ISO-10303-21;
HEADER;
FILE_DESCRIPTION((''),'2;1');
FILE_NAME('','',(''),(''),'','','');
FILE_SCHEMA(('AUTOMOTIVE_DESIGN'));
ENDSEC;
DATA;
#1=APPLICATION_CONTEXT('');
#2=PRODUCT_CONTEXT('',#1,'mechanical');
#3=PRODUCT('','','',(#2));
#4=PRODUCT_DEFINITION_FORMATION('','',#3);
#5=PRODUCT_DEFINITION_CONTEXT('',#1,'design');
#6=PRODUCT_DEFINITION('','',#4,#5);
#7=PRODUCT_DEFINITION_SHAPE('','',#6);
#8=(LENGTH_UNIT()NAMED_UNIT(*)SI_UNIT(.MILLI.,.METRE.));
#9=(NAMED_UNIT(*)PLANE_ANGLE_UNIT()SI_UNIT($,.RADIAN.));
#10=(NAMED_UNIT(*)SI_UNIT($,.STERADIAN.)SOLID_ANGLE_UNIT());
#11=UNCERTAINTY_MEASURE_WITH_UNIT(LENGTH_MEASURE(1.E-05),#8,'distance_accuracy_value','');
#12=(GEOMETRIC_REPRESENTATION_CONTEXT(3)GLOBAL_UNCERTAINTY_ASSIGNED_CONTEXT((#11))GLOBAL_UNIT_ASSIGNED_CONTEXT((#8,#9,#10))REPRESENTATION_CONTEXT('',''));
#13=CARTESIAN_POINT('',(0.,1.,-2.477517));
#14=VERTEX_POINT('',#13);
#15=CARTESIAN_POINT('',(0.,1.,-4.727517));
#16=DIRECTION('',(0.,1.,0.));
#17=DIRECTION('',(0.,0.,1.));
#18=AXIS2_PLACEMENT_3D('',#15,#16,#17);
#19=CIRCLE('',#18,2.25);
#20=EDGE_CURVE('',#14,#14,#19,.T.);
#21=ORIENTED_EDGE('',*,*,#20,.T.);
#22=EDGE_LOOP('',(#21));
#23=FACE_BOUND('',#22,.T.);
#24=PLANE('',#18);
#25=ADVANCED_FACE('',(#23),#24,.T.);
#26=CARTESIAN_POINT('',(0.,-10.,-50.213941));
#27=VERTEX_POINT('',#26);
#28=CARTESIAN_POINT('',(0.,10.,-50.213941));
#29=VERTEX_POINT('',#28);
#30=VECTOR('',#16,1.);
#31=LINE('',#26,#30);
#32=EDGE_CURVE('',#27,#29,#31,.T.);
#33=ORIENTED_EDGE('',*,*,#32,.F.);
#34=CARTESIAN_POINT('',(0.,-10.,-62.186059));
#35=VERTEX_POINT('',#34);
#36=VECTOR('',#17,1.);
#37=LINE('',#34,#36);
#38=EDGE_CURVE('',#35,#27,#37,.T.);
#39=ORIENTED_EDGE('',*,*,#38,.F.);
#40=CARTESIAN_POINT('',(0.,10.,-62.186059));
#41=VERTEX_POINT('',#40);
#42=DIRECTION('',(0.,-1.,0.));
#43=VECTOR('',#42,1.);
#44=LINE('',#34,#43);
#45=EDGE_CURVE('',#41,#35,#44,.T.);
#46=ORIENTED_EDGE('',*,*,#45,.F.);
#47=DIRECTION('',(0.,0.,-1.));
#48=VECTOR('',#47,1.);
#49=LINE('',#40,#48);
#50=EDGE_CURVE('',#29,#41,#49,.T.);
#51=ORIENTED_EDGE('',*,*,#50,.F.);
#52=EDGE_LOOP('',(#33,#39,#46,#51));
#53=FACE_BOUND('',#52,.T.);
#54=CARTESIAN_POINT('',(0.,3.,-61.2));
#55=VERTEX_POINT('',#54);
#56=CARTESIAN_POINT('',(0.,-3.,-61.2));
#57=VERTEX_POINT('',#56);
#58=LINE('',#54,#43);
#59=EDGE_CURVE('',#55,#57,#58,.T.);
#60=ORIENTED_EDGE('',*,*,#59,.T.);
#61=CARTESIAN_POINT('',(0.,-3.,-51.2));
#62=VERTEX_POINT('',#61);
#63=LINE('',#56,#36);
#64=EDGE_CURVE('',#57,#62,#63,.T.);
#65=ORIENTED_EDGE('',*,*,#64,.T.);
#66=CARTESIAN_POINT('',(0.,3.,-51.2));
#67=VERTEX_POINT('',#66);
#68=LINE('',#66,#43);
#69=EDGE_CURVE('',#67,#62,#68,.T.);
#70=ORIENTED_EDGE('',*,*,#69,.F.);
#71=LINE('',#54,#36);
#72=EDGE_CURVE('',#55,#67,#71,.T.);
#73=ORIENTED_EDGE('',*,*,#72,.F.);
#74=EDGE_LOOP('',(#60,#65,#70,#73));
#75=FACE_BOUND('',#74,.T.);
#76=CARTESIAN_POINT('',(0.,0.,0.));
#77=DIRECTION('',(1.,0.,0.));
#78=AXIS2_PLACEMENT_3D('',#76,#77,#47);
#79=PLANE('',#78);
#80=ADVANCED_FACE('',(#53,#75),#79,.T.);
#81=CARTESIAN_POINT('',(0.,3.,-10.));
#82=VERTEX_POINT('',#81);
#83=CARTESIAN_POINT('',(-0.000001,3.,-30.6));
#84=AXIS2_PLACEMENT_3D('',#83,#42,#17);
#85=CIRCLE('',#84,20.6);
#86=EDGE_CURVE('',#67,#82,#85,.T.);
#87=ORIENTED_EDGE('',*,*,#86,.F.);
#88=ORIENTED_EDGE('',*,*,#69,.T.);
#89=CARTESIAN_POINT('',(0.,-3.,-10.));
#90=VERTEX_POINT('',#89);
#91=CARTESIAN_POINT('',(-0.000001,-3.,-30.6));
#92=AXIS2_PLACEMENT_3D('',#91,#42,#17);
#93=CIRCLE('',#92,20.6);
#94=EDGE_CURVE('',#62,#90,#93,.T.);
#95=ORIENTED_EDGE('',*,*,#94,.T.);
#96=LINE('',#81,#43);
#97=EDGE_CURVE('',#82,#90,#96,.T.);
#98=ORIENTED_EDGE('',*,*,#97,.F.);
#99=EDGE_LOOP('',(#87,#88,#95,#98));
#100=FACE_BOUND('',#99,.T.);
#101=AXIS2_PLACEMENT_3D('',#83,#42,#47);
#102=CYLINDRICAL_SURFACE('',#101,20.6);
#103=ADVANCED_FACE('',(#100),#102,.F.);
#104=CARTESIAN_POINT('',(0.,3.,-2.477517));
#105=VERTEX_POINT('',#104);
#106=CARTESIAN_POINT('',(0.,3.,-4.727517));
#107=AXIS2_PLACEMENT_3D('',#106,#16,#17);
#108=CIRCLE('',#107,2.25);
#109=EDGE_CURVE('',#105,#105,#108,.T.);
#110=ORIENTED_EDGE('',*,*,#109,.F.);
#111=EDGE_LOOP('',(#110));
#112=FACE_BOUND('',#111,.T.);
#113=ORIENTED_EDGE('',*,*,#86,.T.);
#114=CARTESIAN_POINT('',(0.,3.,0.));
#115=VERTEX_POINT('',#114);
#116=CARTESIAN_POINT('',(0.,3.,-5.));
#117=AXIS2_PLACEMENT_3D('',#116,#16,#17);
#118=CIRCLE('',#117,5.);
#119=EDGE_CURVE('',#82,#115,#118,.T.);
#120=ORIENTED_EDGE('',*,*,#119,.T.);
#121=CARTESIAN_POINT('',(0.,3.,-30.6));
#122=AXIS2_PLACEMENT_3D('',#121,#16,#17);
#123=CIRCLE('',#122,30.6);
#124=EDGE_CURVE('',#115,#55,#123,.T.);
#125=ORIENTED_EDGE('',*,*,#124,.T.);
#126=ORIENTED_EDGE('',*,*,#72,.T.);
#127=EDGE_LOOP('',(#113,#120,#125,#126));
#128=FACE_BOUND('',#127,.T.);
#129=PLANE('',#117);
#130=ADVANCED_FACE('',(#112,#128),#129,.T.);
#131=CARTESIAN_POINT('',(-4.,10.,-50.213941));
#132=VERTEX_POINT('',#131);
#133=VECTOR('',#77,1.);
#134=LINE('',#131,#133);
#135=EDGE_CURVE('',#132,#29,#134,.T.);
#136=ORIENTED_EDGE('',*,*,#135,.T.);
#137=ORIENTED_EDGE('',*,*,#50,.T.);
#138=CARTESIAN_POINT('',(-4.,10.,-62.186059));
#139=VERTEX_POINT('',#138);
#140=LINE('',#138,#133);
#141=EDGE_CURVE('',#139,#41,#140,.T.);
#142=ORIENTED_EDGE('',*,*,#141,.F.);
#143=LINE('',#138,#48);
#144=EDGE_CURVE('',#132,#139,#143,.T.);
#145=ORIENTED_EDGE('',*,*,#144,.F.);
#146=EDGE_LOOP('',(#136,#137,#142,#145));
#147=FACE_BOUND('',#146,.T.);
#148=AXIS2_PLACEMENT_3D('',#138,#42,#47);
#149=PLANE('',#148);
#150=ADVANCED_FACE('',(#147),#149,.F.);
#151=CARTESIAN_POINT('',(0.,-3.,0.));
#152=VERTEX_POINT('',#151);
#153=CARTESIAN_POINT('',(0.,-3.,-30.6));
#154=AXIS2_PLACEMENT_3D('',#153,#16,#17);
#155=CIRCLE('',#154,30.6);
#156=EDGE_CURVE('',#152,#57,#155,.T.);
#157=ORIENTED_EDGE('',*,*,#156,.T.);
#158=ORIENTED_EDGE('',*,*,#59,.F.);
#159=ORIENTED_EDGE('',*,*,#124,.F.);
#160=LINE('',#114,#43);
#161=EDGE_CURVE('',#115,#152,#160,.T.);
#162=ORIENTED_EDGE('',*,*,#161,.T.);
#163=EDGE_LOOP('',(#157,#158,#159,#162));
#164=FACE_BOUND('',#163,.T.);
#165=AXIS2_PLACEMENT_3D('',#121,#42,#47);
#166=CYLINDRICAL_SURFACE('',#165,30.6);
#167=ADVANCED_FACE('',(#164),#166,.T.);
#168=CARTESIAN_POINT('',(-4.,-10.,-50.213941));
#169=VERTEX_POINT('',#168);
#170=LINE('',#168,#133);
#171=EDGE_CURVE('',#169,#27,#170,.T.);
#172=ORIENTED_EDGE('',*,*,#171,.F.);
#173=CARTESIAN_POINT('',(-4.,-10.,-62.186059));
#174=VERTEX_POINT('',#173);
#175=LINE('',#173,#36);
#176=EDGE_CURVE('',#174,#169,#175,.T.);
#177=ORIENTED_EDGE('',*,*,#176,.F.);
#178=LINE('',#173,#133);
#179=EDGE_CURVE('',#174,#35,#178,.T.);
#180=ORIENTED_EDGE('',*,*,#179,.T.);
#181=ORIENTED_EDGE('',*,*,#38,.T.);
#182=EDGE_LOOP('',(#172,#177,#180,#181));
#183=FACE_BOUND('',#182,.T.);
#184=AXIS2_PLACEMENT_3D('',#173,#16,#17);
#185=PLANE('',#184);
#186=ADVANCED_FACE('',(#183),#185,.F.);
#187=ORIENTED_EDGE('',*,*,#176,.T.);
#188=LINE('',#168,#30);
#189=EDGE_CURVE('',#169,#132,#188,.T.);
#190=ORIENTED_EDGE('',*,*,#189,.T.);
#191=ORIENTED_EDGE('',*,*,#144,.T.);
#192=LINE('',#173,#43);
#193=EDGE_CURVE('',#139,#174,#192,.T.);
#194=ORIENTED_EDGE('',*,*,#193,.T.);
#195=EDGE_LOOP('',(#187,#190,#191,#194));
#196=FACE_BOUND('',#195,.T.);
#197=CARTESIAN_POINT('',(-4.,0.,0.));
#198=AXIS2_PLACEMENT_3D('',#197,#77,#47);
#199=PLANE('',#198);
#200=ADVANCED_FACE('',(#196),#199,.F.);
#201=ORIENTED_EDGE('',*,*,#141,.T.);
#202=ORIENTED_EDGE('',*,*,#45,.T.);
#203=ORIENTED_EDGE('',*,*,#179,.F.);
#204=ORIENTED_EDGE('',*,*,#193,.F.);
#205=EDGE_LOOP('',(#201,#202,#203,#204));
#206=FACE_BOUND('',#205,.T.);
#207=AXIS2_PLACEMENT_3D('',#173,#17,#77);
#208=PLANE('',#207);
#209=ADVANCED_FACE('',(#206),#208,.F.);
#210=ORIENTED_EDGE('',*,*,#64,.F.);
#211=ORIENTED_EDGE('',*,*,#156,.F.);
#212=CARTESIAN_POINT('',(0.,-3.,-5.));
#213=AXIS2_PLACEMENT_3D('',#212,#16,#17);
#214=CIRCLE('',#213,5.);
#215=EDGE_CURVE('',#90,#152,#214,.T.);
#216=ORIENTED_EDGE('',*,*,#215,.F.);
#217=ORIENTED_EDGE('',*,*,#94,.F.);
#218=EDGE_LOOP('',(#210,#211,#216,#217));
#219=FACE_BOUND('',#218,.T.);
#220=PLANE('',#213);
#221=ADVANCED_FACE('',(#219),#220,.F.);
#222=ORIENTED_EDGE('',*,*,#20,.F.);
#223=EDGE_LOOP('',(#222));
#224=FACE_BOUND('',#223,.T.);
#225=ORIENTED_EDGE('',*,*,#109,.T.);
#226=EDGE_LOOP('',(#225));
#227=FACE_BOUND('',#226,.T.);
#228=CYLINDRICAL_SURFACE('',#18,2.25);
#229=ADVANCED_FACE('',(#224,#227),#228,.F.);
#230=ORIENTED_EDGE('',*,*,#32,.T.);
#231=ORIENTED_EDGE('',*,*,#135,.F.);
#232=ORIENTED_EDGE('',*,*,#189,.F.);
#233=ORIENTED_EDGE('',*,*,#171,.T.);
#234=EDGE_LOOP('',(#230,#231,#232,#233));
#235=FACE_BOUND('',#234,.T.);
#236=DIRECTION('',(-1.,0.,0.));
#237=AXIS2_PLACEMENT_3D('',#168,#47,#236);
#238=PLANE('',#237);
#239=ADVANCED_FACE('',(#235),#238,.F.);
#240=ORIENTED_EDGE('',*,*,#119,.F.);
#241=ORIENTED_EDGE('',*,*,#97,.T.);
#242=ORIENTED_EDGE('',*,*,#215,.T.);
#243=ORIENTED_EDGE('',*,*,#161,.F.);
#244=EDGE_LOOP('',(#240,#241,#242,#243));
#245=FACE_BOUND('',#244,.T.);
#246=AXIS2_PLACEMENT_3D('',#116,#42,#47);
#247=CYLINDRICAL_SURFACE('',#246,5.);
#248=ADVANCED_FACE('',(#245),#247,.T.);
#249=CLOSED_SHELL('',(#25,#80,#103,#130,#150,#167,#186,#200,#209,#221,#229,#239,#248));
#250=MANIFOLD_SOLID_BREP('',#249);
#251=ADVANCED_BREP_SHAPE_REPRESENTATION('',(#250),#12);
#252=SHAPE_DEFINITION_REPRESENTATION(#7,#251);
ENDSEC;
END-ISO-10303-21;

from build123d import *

# Parameters (mm, degrees)
BOSS_EXTRUDE1_DEPTH = 3
SKETCH2_R           = 2.25
CUT_EXTRUDE1_DEPTH  = 2
SKETCH4_W           = 11.97211786
SKETCH4_H           = 20
BOSS_EXTRUDE3_DEPTH = 4


with BuildPart() as part:
    # Sketch1 → Boss-Extrude1 (new, symmetric)
    with BuildSketch(Plane(origin=(0, 0, 0), x_dir=(1, 0, 0), z_dir=(0, 1, 0))):
        with BuildLine():
            Line((0, 61.2), (0, 51.2))
            ThreePointArc((0, 51.2), (20.599999205, 30.599999922), (-1.55e-07, 10))
            ThreePointArc((-1.55e-07, 10), (-5, 4.999999922), (0, 0))
            ThreePointArc((0, 0), (30.6, 30.6), (0, 61.2))
        make_face()
    extrude(amount=BOSS_EXTRUDE1_DEPTH, both=True)

    # Sketch2 → Cut-Extrude1 (cut)
    with BuildSketch(Plane(origin=(0, 3, 0), x_dir=(1, 0, 0), z_dir=(0, 1, 0))):
        with Locations(Location((0, 4.727516706, 0), (0, 0, 270))):
            Circle(SKETCH2_R)
    extrude(amount=-CUT_EXTRUDE1_DEPTH, mode=Mode.SUBTRACT)

    # Sketch4 → Boss-Extrude3 (add)
    with BuildSketch(Plane.ZY):
        with Locations((-56.2, 0)):
            Rectangle(SKETCH4_W, SKETCH4_H)
    extrude(amount=BOSS_EXTRUDE3_DEPTH)


solid = part.part
